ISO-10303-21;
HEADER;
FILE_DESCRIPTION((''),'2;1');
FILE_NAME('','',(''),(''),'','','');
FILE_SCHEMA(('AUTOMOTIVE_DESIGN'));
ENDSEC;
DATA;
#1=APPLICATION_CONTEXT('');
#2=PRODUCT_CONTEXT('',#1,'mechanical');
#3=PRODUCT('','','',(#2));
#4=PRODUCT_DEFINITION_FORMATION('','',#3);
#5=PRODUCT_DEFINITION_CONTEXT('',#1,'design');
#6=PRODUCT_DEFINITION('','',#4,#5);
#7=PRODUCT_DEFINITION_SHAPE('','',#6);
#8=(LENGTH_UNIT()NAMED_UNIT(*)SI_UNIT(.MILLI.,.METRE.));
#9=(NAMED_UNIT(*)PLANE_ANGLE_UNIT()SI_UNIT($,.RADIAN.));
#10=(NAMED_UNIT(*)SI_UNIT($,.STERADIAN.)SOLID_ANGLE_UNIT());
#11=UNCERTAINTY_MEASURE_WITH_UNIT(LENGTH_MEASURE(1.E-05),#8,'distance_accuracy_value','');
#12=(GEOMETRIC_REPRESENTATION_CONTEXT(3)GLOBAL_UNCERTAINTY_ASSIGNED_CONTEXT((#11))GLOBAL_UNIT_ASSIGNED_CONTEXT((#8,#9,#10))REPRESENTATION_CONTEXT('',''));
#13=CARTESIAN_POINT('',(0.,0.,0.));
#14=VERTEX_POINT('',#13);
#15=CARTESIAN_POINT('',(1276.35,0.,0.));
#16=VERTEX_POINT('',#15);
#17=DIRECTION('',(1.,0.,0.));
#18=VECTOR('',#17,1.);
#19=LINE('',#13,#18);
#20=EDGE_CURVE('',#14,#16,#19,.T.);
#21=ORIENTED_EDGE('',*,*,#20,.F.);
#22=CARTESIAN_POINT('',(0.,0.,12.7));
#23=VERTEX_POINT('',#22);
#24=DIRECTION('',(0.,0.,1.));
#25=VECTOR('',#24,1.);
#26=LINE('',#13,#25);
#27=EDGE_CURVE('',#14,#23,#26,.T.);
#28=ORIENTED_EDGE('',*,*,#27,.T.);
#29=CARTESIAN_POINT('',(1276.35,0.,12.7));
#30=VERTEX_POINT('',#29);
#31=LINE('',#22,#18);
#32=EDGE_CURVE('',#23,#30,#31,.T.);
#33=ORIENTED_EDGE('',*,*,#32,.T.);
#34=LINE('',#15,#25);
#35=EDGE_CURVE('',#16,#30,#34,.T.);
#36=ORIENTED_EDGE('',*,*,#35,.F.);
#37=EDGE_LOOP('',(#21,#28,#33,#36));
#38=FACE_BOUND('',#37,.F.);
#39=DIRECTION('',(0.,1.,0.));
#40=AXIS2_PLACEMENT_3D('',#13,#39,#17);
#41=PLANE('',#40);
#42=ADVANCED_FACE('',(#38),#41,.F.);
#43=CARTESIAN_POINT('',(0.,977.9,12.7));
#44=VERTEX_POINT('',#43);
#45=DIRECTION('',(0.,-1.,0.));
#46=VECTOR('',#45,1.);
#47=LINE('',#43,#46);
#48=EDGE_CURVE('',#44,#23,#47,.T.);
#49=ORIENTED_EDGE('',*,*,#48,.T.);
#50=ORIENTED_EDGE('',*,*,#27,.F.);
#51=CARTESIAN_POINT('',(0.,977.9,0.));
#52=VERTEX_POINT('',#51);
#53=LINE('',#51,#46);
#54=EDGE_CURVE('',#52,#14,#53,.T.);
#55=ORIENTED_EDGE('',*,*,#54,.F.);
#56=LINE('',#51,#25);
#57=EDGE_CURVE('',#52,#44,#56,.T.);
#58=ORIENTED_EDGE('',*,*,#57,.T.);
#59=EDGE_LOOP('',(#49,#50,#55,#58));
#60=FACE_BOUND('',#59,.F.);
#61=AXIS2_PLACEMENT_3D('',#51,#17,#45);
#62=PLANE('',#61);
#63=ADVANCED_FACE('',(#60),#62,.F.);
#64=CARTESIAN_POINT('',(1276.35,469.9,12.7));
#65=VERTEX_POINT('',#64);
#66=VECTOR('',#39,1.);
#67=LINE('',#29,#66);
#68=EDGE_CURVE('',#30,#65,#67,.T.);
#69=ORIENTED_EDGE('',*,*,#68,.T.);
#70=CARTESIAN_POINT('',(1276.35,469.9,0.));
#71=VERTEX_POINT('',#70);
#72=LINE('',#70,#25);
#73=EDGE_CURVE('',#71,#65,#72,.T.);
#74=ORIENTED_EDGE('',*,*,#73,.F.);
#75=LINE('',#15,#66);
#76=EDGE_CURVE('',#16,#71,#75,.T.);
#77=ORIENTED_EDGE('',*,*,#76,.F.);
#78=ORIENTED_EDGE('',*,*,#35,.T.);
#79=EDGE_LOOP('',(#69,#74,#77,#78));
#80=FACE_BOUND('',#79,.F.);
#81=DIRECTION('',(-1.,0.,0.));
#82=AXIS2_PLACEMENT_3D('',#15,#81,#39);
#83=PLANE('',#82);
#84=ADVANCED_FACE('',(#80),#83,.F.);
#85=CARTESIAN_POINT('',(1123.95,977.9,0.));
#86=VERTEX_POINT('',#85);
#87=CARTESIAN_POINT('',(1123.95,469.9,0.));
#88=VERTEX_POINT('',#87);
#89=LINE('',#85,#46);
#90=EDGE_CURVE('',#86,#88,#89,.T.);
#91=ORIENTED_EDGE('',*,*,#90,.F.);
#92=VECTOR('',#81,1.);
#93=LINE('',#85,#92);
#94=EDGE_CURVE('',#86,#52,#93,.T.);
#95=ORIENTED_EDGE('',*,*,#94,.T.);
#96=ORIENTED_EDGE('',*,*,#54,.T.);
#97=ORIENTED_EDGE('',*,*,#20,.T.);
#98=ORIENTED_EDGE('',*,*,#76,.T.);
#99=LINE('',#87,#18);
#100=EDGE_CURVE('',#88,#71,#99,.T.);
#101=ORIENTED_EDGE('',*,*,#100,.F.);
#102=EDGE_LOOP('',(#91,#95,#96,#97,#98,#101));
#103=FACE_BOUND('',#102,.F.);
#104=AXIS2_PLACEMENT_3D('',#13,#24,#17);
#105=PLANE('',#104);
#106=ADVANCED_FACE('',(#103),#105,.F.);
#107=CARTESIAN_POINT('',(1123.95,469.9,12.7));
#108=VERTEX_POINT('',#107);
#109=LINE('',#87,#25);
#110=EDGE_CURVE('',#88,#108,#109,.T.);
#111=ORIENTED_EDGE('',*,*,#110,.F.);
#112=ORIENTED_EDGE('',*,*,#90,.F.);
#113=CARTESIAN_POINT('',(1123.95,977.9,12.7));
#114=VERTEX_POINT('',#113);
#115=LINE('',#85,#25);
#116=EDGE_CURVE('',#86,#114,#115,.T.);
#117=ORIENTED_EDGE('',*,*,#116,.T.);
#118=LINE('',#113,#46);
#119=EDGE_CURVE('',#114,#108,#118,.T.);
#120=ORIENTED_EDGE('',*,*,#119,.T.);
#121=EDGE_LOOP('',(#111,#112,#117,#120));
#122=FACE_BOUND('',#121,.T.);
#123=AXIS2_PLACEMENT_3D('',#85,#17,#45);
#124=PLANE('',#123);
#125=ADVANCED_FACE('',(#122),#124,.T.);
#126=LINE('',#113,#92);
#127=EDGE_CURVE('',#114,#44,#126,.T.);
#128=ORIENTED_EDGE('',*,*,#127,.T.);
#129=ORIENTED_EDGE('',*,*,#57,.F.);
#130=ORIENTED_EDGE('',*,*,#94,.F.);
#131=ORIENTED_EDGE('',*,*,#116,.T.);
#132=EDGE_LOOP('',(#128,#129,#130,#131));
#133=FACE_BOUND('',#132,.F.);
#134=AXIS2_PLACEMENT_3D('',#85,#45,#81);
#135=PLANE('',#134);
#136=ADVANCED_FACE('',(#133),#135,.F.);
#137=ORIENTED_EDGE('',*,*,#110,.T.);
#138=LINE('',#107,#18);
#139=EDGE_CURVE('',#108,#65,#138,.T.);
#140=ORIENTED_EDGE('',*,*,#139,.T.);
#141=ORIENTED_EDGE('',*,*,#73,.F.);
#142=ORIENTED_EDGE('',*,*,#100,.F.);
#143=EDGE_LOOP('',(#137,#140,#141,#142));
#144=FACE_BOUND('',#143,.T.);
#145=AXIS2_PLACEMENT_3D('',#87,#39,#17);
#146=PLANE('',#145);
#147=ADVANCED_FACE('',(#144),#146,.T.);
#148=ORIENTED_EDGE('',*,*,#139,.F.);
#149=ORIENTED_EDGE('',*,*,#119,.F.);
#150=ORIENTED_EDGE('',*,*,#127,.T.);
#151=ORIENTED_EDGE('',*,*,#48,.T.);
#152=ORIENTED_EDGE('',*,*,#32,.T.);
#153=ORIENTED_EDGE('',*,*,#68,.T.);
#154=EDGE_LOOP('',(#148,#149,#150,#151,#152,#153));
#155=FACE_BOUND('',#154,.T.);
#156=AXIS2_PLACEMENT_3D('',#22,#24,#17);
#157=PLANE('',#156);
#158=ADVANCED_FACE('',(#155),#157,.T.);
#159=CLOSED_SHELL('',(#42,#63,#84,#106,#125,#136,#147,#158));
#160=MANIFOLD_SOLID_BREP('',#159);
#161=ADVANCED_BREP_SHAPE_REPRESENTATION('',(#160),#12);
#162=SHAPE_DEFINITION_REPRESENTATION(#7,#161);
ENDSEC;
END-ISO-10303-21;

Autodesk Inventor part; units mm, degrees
ref_plane "YZ Plane" through (0, 0, 0) normal (1, 0, 0) x (0, 1, 0)
ref_plane "XZ Plane" through (0, 0, 0) normal (0, 1, 0) x (-1, 0, 0)
ref_plane "XY Plane" through (0, 0, 0) normal (0, 0, 1) x (1, 0, 0)
sketch "Sketch1" plane through (0, 0, 0) normal (0, 0, 1) x (1, 0, 0)
  line L0 (0, 0) -> (1276.35, 0)
  line L1 (1276.35, 0) -> (1276.35, 469.9)
  line L2 (1123.95, 977.9) -> (0, 977.9)
  line L3 (0, 977.9) -> (0, 0)
  line L4 (1123.95, 977.9) -> (1123.95, 469.9)
  line L5 (1123.95, 469.9) -> (1276.35, 469.9)
  dimension "d0" = 1276.35
  dimension "d1" = 977.9
  dimension "d2" = 1123.95
  dimension "d3" = 508
extrude "Extrusion1" add sketch "Sketch1" along normal blind 12.7
properties part number "GE-12103-05"
